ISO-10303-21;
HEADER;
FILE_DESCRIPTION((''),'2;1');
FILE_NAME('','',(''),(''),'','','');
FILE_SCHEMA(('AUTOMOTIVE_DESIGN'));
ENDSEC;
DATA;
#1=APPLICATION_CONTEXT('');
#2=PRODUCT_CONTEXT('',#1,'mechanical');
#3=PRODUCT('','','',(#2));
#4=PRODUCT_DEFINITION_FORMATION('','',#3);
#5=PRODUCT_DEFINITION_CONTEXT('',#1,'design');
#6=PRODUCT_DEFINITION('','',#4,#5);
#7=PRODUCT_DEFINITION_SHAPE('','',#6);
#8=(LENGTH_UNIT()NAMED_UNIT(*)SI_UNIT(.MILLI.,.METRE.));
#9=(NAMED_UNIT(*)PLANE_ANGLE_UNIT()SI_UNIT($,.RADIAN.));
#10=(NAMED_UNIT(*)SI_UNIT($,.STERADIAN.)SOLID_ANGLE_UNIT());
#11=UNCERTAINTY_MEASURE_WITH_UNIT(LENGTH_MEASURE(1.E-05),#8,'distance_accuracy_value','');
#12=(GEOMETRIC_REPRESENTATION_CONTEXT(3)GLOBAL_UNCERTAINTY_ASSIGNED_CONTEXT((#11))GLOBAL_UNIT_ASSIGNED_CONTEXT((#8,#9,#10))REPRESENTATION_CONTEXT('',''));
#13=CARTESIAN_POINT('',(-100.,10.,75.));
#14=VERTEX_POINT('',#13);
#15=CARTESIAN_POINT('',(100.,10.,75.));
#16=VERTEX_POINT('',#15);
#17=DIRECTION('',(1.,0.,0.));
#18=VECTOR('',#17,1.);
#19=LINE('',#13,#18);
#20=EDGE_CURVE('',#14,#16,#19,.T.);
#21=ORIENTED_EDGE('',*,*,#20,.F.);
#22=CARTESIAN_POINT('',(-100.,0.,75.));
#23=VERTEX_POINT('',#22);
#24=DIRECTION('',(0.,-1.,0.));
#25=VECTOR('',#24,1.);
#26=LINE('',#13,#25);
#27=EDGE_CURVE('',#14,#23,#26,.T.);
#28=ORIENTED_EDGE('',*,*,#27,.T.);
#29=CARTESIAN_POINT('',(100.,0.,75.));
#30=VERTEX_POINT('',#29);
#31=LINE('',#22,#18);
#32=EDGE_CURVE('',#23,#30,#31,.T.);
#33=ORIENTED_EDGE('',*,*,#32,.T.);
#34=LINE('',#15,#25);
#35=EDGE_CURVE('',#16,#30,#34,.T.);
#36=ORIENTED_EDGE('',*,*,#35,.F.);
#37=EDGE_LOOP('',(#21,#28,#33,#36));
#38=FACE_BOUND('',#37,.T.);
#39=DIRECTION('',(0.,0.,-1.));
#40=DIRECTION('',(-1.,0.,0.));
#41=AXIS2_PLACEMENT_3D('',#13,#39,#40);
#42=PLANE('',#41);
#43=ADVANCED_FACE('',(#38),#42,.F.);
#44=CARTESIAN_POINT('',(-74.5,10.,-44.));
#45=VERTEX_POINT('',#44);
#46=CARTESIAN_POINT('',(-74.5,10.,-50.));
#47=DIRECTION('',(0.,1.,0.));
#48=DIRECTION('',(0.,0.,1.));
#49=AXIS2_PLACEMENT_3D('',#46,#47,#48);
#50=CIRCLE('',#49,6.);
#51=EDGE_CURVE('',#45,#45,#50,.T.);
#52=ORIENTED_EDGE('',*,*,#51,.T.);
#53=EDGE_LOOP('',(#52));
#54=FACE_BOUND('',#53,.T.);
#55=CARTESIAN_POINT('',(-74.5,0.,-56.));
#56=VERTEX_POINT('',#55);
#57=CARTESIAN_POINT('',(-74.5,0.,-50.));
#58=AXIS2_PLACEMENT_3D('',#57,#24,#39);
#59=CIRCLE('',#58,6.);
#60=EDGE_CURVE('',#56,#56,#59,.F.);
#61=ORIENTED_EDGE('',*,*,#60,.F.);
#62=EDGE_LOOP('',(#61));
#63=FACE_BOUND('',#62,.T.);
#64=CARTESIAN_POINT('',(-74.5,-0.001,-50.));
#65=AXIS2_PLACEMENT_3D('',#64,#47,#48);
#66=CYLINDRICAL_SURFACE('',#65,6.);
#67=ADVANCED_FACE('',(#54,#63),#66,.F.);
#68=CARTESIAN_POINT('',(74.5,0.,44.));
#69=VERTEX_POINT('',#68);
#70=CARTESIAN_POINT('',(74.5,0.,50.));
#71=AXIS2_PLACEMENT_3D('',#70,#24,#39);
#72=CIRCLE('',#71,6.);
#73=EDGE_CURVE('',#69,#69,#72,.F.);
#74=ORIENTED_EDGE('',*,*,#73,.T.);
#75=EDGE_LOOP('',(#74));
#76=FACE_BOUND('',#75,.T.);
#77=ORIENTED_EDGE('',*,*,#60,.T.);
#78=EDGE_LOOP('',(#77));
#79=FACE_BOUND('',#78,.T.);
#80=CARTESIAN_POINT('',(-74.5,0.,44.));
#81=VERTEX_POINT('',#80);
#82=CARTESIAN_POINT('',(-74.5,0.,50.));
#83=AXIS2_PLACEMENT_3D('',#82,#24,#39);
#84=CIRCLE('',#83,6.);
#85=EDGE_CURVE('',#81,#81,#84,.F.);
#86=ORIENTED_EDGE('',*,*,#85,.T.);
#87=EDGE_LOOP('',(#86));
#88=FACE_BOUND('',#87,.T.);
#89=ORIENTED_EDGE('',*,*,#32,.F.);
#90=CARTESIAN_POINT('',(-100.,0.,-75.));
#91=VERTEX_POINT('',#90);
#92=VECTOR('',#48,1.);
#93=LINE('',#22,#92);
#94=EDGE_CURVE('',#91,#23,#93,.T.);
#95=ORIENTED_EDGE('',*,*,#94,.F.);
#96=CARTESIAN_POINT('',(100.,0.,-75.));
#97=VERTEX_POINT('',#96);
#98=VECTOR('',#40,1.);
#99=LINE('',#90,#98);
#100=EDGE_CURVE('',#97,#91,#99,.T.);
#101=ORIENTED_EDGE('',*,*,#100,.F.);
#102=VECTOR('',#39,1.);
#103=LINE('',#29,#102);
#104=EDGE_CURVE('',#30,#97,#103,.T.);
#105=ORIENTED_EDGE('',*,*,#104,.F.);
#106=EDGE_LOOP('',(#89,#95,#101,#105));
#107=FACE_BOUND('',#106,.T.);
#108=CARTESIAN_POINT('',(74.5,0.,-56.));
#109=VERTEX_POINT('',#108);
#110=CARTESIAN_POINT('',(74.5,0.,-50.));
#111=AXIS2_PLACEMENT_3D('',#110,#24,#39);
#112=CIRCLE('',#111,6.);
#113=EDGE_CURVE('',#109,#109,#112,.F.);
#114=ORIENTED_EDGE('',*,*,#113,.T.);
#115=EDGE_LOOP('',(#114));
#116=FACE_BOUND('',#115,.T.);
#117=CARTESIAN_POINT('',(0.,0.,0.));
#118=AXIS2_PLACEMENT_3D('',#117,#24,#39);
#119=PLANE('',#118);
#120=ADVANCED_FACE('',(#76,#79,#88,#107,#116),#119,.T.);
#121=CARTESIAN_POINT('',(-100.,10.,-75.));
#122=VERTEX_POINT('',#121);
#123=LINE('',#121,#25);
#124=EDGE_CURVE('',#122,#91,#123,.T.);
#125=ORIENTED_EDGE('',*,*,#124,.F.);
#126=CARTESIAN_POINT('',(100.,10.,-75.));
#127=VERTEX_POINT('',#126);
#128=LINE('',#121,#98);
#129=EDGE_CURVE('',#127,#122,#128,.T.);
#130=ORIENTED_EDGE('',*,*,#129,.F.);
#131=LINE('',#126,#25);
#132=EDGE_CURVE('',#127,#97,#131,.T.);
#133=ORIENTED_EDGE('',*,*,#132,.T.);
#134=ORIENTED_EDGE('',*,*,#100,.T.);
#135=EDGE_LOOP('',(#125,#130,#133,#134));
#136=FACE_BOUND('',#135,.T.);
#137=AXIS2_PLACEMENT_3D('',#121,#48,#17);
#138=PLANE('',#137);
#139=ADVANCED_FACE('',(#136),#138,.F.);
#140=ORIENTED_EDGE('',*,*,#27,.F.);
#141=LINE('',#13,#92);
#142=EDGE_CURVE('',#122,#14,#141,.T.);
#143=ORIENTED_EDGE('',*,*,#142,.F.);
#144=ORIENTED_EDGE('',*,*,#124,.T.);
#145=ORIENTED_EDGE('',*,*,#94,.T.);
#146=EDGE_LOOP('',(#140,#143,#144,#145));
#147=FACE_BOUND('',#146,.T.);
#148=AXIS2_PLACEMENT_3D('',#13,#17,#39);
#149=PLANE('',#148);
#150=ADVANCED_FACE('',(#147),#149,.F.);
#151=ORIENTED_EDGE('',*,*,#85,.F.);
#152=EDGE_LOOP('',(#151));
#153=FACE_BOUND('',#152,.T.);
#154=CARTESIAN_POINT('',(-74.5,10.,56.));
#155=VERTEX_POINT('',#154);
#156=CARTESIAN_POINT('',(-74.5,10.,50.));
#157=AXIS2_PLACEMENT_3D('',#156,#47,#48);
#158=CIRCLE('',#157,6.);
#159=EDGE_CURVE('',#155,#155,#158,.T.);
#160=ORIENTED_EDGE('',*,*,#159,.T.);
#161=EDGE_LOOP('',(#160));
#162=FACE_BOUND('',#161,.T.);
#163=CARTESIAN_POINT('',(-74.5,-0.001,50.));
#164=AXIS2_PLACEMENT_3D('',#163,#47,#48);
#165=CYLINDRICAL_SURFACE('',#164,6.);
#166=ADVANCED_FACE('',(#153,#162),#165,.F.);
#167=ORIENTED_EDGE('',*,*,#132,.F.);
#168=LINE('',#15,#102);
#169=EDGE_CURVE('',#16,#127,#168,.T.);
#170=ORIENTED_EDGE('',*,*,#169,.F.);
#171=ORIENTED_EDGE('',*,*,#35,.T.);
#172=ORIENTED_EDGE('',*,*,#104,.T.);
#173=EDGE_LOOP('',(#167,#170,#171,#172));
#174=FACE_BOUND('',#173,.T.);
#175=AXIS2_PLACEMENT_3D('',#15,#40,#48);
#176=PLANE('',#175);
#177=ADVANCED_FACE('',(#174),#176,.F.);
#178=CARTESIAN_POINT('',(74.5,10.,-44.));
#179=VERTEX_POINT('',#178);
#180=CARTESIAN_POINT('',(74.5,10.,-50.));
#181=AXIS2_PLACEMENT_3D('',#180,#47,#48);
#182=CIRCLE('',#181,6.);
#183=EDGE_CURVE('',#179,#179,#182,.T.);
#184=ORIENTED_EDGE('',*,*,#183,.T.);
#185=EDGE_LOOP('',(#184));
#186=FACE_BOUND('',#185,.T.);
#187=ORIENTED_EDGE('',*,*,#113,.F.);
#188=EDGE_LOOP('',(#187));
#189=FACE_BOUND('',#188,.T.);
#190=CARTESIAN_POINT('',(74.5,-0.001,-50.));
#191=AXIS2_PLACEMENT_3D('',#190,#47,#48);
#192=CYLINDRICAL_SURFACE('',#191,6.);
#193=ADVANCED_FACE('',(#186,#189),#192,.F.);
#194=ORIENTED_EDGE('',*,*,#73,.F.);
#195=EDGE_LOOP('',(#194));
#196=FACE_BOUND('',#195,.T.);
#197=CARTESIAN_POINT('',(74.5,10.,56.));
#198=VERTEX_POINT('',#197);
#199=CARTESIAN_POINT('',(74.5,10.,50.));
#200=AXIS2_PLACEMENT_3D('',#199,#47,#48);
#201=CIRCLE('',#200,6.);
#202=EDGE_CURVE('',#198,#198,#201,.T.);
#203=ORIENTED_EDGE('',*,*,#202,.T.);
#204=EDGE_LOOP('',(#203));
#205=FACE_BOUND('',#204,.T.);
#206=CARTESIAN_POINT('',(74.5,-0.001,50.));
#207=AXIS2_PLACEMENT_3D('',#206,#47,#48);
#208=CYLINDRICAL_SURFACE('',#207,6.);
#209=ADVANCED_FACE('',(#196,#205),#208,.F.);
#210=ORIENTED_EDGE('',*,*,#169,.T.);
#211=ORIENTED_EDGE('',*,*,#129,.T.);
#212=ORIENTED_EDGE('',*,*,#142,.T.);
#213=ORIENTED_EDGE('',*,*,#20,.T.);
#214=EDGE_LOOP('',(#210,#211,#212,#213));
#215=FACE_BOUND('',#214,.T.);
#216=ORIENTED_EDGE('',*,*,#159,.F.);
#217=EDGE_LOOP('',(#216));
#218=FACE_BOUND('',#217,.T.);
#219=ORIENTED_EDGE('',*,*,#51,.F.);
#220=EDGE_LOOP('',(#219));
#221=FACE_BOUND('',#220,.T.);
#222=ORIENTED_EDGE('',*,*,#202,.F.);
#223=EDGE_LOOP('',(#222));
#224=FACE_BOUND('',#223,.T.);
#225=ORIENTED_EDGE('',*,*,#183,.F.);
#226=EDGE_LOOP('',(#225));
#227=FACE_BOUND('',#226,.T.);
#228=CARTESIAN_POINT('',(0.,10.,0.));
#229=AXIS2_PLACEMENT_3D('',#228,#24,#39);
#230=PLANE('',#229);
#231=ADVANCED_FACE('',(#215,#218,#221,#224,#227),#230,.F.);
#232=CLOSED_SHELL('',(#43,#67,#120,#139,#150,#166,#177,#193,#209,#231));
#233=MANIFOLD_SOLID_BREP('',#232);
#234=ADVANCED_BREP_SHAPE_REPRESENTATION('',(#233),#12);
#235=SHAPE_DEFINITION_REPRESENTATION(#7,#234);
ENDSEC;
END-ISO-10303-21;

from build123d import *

# Parameters (mm, degrees)
SKETCH1_W           = 200
SKETCH1_H           = 150
BOSS_EXTRUDE1_DEPTH = 10
CUT_EXTRUDE1_REACH  = 127.399
SKETCH2_R           = 6


with BuildPart() as part:
    # Sketch1 → Boss-Extrude1 (new body)
    with BuildSketch(Plane(origin=(0, 0, 0), x_dir=(1, 0, 0), z_dir=(0, 1, 0))):
        Rectangle(SKETCH1_W, SKETCH1_H)
    extrude(amount=BOSS_EXTRUDE1_DEPTH)

    # Sketch2 → Cut-Extrude1 (cut, up to next)
    with BuildSketch(Plane(origin=(0, 10, 0), x_dir=(1, 0, 0), z_dir=(0, 1, 0)), mode=Mode.PRIVATE) as cut_extrude1_sk1:
        with Locations(Location((74.5, 50, 0), (0, 0, 270))):
            Circle(SKETCH2_R)
    cut_extrude1_tool1 = extrude(cut_extrude1_sk1.sketch, amount=-CUT_EXTRUDE1_REACH, mode=Mode.PRIVATE) & part.part
    # Sketch2 → Cut-Extrude1 (cut, up to next)
    with BuildSketch(Plane(origin=(0, 10, 0), x_dir=(1, 0, 0), z_dir=(0, 1, 0)), mode=Mode.PRIVATE) as cut_extrude1_sk2:
        with Locations(Location((74.5, -50, 0), (0, 0, 270))):
            Circle(SKETCH2_R)
    cut_extrude1_tool2 = extrude(cut_extrude1_sk2.sketch, amount=-CUT_EXTRUDE1_REACH, mode=Mode.PRIVATE) & part.part
    # Sketch2 → Cut-Extrude1 (cut, up to next)
    with BuildSketch(Plane(origin=(0, 10, 0), x_dir=(1, 0, 0), z_dir=(0, 1, 0)), mode=Mode.PRIVATE) as cut_extrude1_sk3:
        with Locations(Location((-74.5, -50, 0), (0, 0, 270))):
            Circle(SKETCH2_R)
    cut_extrude1_tool3 = extrude(cut_extrude1_sk3.sketch, amount=-CUT_EXTRUDE1_REACH, mode=Mode.PRIVATE) & part.part
    # Sketch2 → Cut-Extrude1 (cut, up to next)
    with BuildSketch(Plane(origin=(0, 10, 0), x_dir=(1, 0, 0), z_dir=(0, 1, 0)), mode=Mode.PRIVATE) as cut_extrude1_sk4:
        with Locations(Location((-74.5, 50, 0), (0, 0, 270))):
            Circle(SKETCH2_R)
    cut_extrude1_tool4 = extrude(cut_extrude1_sk4.sketch, amount=-CUT_EXTRUDE1_REACH, mode=Mode.PRIVATE) & part.part
    add(cut_extrude1_tool1.solids().sort_by_distance((74.5, 10, -50))[0], mode=Mode.SUBTRACT)
    add(cut_extrude1_tool2.solids().sort_by_distance((74.5, 10, 50))[0], mode=Mode.SUBTRACT)
    add(cut_extrude1_tool3.solids().sort_by_distance((-74.5, 10, 50))[0], mode=Mode.SUBTRACT)
    add(cut_extrude1_tool4.solids().sort_by_distance((-74.5, 10, -50))[0], mode=Mode.SUBTRACT)


solid = part.part
